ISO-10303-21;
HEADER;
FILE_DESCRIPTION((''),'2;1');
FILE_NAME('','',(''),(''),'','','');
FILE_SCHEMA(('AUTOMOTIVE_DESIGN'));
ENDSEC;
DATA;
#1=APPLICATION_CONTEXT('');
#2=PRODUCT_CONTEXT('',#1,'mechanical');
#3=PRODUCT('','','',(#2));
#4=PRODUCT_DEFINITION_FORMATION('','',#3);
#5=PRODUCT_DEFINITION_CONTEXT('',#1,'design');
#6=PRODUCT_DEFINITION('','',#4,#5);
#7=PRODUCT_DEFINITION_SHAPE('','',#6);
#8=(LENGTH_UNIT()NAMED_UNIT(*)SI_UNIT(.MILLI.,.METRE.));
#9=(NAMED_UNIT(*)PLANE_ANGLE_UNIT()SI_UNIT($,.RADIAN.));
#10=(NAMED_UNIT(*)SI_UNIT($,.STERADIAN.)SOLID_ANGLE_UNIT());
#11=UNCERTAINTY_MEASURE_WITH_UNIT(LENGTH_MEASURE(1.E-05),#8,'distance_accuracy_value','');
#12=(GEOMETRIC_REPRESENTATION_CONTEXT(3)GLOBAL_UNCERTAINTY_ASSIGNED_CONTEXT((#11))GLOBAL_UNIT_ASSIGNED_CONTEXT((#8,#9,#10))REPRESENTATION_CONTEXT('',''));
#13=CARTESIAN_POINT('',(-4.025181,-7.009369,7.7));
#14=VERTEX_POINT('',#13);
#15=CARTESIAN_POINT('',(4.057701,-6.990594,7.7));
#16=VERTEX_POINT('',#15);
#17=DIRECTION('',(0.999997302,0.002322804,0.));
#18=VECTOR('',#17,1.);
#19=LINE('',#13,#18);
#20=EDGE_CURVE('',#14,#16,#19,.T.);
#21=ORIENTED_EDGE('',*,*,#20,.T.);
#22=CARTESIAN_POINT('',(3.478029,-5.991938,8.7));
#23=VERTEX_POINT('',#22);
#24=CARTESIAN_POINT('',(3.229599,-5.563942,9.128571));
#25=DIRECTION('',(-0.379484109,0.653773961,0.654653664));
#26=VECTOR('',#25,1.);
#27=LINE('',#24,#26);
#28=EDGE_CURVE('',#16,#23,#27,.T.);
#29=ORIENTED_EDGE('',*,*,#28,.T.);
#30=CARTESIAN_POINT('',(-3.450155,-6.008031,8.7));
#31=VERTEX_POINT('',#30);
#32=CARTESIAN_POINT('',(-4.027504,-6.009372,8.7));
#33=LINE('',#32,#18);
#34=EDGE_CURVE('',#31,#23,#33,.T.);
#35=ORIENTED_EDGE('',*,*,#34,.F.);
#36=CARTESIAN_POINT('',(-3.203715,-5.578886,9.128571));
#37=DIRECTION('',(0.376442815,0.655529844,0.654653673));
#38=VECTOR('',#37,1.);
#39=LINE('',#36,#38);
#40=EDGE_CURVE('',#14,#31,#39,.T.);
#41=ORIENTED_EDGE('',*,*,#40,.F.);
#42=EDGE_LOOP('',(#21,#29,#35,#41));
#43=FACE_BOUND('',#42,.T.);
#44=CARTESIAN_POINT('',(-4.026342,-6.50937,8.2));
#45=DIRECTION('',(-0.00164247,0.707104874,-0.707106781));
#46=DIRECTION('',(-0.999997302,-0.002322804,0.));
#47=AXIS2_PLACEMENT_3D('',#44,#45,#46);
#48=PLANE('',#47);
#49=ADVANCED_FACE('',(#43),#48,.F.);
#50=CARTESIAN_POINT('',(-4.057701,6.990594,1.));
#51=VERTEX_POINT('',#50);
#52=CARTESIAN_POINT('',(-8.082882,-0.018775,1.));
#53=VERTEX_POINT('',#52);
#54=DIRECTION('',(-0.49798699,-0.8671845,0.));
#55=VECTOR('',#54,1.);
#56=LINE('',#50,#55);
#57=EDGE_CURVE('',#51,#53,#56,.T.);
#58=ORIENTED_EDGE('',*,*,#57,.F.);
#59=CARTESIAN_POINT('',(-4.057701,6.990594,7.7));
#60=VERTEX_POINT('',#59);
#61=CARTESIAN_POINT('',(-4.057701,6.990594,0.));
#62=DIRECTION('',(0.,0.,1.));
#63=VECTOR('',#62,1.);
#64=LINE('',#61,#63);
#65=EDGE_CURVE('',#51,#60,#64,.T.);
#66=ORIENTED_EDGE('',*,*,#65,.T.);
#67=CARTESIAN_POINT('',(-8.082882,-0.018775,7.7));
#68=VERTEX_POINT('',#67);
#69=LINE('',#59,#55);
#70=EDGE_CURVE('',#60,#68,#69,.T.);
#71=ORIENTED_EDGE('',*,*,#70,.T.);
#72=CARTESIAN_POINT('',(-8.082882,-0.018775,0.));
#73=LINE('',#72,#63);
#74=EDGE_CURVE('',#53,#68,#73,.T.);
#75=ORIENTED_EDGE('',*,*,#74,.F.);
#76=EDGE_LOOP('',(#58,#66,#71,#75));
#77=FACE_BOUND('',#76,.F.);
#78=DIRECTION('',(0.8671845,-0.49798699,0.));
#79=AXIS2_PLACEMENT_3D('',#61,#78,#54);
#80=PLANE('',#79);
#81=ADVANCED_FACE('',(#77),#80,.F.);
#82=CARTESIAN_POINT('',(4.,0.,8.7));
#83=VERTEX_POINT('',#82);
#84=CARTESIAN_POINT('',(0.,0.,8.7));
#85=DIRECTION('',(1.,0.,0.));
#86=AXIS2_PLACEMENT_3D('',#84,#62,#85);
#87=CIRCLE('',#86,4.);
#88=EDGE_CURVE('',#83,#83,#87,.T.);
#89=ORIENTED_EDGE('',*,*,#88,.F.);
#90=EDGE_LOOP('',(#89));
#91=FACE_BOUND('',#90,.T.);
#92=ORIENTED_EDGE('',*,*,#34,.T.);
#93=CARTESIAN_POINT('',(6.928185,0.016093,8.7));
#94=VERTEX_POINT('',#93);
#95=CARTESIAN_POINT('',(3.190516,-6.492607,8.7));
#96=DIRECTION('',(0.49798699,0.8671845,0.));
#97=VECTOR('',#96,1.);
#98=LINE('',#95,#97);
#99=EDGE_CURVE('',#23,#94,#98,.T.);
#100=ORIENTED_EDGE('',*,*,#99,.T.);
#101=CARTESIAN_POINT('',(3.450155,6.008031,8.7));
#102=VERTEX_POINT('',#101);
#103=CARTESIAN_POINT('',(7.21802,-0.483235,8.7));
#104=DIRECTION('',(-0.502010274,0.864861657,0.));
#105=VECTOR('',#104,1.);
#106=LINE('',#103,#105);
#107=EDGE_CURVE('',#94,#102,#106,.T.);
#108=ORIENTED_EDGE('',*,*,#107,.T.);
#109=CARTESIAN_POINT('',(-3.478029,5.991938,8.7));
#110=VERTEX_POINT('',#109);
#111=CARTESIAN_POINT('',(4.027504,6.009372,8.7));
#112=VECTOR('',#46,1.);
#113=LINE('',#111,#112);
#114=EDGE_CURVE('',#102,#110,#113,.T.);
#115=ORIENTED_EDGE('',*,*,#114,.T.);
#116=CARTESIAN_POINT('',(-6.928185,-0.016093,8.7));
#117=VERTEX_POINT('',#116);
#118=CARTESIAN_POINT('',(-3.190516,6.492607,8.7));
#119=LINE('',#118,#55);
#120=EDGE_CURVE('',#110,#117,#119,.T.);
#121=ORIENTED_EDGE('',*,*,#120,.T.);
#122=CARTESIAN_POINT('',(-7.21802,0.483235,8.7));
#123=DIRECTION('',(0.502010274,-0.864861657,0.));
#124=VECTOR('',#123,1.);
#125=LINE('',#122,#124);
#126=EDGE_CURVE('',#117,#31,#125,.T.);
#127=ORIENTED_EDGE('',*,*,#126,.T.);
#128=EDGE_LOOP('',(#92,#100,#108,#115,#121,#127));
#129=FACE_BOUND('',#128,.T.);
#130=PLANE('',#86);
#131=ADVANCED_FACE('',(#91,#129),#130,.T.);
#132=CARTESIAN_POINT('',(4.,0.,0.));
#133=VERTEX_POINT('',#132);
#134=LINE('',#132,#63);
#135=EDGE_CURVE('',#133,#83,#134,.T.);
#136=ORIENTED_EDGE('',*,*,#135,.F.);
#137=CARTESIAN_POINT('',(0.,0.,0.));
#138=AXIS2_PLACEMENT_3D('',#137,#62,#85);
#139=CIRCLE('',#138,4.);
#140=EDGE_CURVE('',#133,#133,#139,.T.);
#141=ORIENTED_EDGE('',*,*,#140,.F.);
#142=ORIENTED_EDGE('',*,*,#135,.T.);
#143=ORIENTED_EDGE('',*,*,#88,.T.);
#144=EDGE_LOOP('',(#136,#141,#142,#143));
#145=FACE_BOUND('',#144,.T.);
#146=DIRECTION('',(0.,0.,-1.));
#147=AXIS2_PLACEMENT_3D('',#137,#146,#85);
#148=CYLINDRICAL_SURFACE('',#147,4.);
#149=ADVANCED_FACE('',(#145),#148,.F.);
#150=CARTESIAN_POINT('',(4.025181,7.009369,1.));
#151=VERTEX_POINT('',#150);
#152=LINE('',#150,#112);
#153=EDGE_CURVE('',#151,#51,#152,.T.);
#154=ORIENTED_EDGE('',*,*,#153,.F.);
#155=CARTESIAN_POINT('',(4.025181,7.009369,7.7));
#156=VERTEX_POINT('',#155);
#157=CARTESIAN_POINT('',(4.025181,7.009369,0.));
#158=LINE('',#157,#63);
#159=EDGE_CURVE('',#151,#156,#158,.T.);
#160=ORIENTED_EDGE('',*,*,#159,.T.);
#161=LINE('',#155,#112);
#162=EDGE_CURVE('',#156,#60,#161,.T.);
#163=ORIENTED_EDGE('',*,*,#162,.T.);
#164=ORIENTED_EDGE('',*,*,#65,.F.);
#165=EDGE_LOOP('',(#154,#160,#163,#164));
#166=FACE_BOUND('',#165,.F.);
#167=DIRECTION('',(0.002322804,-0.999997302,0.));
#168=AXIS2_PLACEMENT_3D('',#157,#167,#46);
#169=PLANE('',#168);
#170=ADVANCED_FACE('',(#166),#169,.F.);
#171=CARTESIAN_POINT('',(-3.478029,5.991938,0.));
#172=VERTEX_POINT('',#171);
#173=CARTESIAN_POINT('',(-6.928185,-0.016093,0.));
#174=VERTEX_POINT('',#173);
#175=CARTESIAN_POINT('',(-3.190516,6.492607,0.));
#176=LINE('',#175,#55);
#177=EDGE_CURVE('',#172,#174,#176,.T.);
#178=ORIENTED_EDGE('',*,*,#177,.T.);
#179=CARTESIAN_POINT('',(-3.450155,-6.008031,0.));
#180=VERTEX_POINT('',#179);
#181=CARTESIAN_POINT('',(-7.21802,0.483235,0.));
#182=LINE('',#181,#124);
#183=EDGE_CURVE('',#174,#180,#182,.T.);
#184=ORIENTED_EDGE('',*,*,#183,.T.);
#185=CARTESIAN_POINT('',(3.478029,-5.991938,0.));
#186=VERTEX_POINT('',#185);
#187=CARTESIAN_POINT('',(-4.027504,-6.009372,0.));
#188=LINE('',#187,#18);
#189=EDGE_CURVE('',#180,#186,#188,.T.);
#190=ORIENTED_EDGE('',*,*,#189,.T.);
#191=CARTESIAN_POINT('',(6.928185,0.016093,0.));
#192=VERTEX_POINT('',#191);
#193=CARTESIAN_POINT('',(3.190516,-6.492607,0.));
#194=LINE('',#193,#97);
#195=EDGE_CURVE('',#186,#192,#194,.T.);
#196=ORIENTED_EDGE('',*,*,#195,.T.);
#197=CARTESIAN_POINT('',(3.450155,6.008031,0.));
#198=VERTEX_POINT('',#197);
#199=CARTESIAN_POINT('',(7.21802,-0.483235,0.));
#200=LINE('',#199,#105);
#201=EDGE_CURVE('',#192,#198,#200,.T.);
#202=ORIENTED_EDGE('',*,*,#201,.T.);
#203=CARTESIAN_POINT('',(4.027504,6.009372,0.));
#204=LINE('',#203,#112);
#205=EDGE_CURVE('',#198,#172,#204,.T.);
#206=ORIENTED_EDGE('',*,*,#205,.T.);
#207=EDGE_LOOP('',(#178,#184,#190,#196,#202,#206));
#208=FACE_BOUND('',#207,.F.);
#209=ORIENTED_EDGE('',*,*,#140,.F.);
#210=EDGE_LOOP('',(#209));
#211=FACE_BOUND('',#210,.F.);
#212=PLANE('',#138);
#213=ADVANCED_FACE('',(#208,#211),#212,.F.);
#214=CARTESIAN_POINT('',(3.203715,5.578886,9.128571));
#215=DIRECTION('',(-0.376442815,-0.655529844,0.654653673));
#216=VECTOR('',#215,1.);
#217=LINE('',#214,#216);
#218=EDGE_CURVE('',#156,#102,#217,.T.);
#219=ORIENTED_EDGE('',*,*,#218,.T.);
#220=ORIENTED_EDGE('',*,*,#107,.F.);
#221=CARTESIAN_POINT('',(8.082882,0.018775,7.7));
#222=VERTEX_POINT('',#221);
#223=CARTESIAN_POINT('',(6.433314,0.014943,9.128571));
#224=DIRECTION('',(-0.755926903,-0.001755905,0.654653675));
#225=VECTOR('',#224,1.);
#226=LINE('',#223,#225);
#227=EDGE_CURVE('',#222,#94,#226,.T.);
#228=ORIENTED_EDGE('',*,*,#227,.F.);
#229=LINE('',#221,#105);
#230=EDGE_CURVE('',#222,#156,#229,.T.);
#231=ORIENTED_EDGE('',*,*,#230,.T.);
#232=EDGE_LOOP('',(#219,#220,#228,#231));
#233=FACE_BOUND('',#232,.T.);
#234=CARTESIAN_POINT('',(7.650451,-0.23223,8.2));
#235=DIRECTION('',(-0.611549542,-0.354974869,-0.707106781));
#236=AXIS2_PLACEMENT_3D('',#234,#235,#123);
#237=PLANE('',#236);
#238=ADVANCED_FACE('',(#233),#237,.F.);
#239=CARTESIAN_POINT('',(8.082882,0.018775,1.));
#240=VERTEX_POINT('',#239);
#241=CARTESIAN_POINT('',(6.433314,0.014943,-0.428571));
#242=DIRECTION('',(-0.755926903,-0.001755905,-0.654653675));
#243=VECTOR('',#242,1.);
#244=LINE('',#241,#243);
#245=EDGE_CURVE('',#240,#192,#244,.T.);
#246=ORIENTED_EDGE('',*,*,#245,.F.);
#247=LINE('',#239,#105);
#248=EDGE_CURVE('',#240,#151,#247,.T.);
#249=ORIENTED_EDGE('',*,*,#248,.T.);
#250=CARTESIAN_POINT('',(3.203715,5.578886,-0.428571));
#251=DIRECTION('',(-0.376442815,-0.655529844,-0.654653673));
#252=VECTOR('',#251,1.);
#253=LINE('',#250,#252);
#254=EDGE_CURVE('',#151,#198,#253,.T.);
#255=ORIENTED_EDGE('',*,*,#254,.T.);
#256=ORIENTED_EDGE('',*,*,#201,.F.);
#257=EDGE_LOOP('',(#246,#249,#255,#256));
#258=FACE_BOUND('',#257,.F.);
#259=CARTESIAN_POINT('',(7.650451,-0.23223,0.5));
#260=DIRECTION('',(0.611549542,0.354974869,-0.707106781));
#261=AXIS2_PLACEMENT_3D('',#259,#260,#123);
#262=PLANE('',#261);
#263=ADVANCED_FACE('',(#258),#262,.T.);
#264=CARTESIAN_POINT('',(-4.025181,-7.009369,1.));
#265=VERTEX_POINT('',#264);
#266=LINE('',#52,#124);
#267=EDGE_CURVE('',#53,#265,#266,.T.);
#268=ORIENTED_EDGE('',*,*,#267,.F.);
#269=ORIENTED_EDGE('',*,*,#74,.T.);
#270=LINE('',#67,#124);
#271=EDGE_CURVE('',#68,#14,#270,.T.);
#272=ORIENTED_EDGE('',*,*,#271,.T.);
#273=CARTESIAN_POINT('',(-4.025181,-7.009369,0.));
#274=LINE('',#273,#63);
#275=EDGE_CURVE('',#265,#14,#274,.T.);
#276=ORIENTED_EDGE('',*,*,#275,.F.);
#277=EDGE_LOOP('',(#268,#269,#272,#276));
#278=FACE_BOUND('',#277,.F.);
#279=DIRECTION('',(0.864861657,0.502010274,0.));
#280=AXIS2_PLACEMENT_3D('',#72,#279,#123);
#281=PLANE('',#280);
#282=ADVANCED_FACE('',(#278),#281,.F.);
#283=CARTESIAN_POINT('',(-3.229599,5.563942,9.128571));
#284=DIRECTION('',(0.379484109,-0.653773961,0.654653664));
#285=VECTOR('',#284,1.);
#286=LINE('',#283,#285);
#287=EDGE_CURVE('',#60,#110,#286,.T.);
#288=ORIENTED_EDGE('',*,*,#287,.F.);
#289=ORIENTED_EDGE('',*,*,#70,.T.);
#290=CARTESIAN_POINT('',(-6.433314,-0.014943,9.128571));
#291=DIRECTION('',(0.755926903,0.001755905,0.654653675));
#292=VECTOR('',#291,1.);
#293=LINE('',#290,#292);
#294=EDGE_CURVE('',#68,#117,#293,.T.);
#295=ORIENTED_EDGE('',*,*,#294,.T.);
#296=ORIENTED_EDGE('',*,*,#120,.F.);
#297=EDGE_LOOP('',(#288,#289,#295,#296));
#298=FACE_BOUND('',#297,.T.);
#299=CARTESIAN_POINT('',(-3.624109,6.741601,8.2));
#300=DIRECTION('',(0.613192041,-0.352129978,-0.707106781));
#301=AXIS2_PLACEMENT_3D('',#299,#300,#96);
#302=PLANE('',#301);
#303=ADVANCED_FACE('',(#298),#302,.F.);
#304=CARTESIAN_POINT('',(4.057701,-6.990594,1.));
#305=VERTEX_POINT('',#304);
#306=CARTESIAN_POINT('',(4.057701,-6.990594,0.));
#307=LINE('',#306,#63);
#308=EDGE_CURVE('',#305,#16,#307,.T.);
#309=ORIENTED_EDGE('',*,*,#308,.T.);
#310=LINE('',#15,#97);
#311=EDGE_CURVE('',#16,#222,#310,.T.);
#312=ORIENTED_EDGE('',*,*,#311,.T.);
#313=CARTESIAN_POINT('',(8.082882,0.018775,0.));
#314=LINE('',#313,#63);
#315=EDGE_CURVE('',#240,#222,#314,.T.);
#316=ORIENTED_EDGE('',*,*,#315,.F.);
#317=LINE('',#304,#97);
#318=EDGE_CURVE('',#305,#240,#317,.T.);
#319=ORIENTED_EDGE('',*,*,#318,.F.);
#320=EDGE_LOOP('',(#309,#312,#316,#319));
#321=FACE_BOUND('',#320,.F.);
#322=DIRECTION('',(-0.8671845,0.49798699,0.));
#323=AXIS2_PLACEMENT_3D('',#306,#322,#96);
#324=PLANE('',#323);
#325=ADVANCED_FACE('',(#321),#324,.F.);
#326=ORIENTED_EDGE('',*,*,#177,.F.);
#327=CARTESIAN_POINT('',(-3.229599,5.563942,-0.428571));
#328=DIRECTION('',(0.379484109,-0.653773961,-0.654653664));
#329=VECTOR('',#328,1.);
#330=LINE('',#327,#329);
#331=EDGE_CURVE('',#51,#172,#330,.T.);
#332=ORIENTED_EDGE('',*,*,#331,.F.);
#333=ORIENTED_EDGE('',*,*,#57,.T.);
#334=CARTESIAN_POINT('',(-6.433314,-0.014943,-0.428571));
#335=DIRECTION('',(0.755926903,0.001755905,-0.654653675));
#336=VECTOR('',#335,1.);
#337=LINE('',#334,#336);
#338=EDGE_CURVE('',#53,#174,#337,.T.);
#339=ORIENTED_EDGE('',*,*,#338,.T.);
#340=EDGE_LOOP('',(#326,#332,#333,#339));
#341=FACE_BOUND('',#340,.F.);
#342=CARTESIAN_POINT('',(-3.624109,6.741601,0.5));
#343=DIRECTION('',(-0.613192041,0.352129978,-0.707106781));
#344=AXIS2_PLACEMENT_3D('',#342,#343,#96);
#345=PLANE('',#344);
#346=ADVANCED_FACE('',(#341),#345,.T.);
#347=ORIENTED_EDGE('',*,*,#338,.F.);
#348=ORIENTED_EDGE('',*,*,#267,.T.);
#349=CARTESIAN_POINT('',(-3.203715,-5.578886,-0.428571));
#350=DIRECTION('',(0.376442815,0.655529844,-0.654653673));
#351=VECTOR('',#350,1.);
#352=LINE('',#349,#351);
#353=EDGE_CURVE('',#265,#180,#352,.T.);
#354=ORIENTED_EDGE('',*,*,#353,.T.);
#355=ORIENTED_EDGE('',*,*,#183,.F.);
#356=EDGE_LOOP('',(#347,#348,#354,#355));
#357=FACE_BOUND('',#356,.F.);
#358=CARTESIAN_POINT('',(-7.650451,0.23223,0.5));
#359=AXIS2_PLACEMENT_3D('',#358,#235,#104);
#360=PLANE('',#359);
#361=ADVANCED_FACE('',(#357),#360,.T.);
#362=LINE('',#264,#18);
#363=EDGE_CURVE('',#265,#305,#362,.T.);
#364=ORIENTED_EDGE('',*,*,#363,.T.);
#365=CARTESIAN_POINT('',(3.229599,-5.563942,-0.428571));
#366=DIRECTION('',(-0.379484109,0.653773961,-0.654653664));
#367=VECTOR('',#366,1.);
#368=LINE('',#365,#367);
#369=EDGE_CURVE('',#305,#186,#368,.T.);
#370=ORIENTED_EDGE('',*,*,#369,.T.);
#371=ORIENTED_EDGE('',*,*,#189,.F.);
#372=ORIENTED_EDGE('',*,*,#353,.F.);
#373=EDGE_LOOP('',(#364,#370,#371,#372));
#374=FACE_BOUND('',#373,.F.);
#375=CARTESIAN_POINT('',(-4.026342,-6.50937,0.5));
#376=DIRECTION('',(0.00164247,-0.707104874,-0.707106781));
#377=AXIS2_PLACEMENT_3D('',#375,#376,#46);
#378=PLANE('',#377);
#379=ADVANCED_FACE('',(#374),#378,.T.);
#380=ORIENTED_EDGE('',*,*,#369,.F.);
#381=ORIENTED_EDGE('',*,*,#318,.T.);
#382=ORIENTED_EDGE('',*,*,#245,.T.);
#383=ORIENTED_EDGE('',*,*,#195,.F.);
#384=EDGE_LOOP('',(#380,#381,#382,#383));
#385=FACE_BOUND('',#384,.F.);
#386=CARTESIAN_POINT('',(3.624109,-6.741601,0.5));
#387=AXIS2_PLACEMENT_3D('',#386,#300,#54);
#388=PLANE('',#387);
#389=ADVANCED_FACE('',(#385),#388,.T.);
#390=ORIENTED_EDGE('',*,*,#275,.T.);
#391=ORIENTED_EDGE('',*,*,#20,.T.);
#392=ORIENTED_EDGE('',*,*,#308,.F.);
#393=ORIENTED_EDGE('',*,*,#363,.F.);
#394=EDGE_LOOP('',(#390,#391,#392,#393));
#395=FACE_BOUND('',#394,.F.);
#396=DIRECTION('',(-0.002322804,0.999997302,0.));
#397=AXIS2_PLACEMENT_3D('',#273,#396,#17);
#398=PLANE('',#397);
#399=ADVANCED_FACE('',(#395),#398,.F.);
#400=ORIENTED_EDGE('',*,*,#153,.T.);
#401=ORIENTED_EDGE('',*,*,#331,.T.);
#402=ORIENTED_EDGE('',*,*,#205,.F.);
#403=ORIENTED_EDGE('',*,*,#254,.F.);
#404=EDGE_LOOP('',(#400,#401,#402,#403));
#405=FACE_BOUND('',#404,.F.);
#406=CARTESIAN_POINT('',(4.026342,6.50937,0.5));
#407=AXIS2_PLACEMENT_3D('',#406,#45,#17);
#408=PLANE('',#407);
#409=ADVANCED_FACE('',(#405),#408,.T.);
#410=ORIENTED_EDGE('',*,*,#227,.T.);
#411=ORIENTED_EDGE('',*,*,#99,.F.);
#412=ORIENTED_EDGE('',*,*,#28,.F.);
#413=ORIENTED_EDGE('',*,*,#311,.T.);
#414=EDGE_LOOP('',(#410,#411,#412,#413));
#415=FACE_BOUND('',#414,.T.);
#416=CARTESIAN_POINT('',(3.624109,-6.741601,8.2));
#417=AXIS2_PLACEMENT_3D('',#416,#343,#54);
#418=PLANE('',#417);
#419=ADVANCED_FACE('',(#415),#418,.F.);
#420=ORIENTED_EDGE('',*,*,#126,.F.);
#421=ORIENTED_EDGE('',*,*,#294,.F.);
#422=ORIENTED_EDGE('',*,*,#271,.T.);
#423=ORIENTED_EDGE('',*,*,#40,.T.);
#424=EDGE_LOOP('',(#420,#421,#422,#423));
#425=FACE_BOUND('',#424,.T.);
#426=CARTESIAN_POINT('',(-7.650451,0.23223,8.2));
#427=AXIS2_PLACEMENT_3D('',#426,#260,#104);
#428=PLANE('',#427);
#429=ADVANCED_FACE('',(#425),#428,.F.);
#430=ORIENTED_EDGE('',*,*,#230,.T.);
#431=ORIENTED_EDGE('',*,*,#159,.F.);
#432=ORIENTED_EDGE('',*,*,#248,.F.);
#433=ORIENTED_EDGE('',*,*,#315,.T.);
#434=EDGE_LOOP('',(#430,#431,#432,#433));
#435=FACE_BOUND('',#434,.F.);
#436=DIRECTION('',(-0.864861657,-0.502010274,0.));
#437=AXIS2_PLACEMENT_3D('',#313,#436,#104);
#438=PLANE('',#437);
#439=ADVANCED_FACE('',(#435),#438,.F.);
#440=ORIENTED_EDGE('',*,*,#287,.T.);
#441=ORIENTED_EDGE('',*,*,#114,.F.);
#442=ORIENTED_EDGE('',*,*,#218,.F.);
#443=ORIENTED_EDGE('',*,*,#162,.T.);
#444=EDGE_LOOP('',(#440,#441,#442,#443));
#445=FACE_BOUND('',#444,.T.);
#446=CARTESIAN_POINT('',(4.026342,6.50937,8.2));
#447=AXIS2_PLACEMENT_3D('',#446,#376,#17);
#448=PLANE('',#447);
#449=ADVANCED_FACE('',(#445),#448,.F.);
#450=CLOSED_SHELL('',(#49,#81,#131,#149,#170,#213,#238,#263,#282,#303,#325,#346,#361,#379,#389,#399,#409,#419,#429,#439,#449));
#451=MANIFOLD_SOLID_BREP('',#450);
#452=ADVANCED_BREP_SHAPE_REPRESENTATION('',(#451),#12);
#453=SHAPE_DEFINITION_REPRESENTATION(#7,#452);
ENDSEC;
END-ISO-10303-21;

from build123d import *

# Parameters (mm, degrees)
F0_R     = 4
F1_DEPTH = 8.7
F2_SIZE  = 1


with BuildPart() as f1:
    # F0 (on Top) → F1 (new body)
    with BuildSketch(Plane.XY):
        Polygon((4.057701, -6.990594), (8.082882, 0.018775), (4.025181, 7.009369), (-4.057701, 6.990594), (-8.082882, -0.018775), (-4.025181, -7.009369), align=None)
        Circle(F0_R, mode=Mode.SUBTRACT)
    extrude(amount=F1_DEPTH)

    # F2
    f2_edges = [f1.edges().sort_by_distance(p)[0] for p in [
        (-6.070291, 3.485909, 8.7),
        (-6.054032, -3.514072, 8.7),
        (0.01626, -6.999981, 8.7),
        (6.070291, -3.485909, 8.7),
        (6.054032, 3.514072, 8.7),
        (-0.01626, 6.999981, 8.7),
        (-6.070291, 3.485909, 0),
        (-0.01626, 6.999981, 0),
        (-6.054032, -3.514072, 0),
        (0.01626, -6.999981, 0),
        (6.070291, -3.485909, 0),
        (6.054032, 3.514072, 0),
    ]]
    chamfer(f2_edges, length=F2_SIZE)


solid = f1.part
